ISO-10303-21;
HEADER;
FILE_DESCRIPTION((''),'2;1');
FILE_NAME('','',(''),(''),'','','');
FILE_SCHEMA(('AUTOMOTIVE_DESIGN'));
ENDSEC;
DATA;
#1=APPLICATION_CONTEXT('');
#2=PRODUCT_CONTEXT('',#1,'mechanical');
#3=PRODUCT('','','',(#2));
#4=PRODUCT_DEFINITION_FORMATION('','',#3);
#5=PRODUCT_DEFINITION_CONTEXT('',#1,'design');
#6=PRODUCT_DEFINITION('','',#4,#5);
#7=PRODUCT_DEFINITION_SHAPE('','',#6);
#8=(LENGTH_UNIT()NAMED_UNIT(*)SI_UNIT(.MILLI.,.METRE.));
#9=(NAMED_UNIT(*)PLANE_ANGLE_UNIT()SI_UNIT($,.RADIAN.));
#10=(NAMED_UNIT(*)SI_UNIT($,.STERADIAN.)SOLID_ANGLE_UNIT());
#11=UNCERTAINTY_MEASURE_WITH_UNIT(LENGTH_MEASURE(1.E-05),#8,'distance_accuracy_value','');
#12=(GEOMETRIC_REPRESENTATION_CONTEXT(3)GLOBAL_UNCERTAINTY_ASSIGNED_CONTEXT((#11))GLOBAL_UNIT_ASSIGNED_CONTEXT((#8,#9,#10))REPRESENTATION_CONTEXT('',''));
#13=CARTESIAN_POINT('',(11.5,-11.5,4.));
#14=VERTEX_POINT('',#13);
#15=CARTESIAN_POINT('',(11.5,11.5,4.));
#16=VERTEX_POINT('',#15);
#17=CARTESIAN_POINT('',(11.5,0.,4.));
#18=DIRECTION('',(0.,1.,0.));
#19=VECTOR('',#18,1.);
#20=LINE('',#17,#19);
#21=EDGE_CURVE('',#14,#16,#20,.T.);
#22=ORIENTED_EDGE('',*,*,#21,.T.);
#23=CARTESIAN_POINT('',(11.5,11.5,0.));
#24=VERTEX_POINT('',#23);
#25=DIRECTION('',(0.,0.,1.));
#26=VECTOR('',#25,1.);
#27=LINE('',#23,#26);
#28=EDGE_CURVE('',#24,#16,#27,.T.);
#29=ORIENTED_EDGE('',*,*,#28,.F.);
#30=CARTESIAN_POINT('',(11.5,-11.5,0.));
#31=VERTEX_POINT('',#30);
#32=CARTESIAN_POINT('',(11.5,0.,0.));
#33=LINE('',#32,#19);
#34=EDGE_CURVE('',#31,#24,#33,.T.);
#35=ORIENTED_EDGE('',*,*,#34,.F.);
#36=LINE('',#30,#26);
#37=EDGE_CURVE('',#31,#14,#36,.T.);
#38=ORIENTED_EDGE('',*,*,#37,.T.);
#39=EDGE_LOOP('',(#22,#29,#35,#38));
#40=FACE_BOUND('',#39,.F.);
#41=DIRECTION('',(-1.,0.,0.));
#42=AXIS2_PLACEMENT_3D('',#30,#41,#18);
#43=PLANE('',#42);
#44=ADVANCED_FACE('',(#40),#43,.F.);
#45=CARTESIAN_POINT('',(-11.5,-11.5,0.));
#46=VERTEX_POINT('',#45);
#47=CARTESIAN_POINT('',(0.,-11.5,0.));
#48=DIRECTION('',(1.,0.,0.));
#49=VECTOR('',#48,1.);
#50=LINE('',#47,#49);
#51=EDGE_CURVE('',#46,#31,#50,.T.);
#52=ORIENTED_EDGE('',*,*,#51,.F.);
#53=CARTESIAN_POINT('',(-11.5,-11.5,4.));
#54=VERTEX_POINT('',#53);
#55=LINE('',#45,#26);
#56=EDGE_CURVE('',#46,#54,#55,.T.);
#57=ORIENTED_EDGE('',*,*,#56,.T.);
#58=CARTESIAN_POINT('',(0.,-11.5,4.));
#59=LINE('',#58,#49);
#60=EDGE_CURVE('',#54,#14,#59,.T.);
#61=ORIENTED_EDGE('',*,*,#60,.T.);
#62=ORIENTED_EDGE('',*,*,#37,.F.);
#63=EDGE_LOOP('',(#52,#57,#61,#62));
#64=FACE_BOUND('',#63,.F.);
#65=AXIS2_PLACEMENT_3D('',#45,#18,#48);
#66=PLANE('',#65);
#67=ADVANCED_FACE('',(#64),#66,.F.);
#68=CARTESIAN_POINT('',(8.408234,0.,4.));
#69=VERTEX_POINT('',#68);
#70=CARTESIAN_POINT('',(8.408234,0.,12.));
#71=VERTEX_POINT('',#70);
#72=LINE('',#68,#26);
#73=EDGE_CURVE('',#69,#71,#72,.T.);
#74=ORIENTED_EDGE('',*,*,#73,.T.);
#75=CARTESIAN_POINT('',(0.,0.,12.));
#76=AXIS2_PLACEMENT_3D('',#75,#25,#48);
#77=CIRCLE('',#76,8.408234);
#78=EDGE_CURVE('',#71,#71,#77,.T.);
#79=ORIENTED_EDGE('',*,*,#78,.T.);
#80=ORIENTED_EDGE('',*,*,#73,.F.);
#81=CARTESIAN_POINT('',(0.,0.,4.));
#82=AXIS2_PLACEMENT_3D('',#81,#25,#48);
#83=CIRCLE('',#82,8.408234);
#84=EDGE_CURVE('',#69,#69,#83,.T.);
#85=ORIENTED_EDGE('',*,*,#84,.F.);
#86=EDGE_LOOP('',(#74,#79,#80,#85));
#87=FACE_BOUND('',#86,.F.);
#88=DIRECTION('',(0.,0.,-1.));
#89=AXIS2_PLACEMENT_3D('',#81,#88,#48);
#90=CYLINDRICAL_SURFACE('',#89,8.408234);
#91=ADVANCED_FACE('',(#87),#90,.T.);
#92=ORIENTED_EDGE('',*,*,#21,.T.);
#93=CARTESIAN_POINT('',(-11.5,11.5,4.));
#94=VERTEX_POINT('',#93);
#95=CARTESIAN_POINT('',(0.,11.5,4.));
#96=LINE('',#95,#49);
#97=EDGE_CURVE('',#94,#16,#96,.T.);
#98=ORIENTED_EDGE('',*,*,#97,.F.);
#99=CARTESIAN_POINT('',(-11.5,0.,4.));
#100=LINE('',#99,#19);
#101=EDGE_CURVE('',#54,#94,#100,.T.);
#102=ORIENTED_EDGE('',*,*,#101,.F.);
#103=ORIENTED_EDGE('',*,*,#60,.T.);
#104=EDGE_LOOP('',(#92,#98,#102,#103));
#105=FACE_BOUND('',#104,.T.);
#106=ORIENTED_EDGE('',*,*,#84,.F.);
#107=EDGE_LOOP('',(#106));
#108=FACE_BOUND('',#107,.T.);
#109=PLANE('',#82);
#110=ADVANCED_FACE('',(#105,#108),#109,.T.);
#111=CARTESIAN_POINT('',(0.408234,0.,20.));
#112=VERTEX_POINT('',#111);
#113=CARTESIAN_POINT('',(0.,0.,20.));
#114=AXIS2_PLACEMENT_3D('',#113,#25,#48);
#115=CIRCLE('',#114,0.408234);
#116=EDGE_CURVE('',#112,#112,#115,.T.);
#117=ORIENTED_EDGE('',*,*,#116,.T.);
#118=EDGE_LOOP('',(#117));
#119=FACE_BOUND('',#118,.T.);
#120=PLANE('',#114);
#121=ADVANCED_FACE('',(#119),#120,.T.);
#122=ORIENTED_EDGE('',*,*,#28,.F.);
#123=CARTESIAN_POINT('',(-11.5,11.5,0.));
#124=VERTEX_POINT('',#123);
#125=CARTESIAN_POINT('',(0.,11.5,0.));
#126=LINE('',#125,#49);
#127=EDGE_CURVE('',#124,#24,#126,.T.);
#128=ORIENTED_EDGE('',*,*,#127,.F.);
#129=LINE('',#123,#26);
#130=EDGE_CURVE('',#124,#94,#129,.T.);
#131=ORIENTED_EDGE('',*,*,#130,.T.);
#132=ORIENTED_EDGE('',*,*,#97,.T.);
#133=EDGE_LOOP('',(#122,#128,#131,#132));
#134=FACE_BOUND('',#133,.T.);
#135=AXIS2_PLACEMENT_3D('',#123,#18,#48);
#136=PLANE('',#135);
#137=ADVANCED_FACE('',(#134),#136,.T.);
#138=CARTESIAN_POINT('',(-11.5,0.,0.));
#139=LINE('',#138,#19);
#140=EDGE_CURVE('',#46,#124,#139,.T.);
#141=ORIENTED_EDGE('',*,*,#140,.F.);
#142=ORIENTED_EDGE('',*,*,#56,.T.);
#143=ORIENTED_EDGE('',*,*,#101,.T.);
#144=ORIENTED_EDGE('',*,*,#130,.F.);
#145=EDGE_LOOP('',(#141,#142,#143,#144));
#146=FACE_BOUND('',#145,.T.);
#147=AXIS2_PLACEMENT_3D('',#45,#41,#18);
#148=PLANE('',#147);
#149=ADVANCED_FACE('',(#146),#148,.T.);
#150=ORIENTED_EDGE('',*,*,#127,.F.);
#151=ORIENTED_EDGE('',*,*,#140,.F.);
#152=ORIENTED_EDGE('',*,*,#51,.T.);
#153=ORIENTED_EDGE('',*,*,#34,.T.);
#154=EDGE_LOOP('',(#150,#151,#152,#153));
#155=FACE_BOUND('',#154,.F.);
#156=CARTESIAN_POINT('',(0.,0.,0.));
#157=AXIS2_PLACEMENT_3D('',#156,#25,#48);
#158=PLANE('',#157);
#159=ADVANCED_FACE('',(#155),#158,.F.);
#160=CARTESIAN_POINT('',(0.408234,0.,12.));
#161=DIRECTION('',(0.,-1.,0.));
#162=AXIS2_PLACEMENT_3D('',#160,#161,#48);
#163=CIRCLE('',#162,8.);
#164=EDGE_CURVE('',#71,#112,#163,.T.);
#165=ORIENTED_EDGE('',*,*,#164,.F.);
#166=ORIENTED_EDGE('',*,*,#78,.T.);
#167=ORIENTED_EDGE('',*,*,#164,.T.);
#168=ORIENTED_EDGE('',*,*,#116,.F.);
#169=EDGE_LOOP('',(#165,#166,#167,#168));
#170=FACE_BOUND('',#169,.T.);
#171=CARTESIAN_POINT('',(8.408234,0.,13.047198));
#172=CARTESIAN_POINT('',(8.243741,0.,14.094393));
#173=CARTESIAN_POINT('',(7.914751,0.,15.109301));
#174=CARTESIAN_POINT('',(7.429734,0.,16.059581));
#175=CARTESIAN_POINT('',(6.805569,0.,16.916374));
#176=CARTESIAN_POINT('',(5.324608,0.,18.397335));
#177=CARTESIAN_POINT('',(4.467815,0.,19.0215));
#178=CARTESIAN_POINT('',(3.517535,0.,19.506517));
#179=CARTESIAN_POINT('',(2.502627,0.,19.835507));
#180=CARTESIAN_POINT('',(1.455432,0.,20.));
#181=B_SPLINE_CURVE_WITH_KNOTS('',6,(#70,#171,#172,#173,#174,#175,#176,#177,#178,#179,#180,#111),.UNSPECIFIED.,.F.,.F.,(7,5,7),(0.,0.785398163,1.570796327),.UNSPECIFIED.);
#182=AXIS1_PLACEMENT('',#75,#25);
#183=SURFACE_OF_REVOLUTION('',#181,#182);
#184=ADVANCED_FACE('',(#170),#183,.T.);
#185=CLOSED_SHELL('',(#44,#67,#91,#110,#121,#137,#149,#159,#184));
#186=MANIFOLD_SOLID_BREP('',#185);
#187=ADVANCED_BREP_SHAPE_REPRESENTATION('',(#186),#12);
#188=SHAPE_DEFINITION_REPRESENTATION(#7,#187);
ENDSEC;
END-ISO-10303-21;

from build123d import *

# Parameters (mm, degrees)
F0_W     = 23
F0_H     = 23
F1_DEPTH = 4
F2_R     = 8.408234
F3_DEPTH = 16
F4_R     = 8


with BuildPart() as f1:
    # F0 (on Top) → F1 (new body)
    with BuildSketch(Plane.XY):
        Rectangle(F0_W, F0_H)
    extrude(amount=F1_DEPTH)

    # F2 (on face) → F3 (join)
    with BuildSketch(Plane.XY.offset(4)):
        Circle(F2_R)
    extrude(amount=F3_DEPTH)

    # F4
    f4_edges = [f1.edges().sort_by_distance(p)[0] for p in [
        (-8.408234, 0, 20),
    ]]
    fillet(f4_edges, radius=F4_R)


solid = f1.part
